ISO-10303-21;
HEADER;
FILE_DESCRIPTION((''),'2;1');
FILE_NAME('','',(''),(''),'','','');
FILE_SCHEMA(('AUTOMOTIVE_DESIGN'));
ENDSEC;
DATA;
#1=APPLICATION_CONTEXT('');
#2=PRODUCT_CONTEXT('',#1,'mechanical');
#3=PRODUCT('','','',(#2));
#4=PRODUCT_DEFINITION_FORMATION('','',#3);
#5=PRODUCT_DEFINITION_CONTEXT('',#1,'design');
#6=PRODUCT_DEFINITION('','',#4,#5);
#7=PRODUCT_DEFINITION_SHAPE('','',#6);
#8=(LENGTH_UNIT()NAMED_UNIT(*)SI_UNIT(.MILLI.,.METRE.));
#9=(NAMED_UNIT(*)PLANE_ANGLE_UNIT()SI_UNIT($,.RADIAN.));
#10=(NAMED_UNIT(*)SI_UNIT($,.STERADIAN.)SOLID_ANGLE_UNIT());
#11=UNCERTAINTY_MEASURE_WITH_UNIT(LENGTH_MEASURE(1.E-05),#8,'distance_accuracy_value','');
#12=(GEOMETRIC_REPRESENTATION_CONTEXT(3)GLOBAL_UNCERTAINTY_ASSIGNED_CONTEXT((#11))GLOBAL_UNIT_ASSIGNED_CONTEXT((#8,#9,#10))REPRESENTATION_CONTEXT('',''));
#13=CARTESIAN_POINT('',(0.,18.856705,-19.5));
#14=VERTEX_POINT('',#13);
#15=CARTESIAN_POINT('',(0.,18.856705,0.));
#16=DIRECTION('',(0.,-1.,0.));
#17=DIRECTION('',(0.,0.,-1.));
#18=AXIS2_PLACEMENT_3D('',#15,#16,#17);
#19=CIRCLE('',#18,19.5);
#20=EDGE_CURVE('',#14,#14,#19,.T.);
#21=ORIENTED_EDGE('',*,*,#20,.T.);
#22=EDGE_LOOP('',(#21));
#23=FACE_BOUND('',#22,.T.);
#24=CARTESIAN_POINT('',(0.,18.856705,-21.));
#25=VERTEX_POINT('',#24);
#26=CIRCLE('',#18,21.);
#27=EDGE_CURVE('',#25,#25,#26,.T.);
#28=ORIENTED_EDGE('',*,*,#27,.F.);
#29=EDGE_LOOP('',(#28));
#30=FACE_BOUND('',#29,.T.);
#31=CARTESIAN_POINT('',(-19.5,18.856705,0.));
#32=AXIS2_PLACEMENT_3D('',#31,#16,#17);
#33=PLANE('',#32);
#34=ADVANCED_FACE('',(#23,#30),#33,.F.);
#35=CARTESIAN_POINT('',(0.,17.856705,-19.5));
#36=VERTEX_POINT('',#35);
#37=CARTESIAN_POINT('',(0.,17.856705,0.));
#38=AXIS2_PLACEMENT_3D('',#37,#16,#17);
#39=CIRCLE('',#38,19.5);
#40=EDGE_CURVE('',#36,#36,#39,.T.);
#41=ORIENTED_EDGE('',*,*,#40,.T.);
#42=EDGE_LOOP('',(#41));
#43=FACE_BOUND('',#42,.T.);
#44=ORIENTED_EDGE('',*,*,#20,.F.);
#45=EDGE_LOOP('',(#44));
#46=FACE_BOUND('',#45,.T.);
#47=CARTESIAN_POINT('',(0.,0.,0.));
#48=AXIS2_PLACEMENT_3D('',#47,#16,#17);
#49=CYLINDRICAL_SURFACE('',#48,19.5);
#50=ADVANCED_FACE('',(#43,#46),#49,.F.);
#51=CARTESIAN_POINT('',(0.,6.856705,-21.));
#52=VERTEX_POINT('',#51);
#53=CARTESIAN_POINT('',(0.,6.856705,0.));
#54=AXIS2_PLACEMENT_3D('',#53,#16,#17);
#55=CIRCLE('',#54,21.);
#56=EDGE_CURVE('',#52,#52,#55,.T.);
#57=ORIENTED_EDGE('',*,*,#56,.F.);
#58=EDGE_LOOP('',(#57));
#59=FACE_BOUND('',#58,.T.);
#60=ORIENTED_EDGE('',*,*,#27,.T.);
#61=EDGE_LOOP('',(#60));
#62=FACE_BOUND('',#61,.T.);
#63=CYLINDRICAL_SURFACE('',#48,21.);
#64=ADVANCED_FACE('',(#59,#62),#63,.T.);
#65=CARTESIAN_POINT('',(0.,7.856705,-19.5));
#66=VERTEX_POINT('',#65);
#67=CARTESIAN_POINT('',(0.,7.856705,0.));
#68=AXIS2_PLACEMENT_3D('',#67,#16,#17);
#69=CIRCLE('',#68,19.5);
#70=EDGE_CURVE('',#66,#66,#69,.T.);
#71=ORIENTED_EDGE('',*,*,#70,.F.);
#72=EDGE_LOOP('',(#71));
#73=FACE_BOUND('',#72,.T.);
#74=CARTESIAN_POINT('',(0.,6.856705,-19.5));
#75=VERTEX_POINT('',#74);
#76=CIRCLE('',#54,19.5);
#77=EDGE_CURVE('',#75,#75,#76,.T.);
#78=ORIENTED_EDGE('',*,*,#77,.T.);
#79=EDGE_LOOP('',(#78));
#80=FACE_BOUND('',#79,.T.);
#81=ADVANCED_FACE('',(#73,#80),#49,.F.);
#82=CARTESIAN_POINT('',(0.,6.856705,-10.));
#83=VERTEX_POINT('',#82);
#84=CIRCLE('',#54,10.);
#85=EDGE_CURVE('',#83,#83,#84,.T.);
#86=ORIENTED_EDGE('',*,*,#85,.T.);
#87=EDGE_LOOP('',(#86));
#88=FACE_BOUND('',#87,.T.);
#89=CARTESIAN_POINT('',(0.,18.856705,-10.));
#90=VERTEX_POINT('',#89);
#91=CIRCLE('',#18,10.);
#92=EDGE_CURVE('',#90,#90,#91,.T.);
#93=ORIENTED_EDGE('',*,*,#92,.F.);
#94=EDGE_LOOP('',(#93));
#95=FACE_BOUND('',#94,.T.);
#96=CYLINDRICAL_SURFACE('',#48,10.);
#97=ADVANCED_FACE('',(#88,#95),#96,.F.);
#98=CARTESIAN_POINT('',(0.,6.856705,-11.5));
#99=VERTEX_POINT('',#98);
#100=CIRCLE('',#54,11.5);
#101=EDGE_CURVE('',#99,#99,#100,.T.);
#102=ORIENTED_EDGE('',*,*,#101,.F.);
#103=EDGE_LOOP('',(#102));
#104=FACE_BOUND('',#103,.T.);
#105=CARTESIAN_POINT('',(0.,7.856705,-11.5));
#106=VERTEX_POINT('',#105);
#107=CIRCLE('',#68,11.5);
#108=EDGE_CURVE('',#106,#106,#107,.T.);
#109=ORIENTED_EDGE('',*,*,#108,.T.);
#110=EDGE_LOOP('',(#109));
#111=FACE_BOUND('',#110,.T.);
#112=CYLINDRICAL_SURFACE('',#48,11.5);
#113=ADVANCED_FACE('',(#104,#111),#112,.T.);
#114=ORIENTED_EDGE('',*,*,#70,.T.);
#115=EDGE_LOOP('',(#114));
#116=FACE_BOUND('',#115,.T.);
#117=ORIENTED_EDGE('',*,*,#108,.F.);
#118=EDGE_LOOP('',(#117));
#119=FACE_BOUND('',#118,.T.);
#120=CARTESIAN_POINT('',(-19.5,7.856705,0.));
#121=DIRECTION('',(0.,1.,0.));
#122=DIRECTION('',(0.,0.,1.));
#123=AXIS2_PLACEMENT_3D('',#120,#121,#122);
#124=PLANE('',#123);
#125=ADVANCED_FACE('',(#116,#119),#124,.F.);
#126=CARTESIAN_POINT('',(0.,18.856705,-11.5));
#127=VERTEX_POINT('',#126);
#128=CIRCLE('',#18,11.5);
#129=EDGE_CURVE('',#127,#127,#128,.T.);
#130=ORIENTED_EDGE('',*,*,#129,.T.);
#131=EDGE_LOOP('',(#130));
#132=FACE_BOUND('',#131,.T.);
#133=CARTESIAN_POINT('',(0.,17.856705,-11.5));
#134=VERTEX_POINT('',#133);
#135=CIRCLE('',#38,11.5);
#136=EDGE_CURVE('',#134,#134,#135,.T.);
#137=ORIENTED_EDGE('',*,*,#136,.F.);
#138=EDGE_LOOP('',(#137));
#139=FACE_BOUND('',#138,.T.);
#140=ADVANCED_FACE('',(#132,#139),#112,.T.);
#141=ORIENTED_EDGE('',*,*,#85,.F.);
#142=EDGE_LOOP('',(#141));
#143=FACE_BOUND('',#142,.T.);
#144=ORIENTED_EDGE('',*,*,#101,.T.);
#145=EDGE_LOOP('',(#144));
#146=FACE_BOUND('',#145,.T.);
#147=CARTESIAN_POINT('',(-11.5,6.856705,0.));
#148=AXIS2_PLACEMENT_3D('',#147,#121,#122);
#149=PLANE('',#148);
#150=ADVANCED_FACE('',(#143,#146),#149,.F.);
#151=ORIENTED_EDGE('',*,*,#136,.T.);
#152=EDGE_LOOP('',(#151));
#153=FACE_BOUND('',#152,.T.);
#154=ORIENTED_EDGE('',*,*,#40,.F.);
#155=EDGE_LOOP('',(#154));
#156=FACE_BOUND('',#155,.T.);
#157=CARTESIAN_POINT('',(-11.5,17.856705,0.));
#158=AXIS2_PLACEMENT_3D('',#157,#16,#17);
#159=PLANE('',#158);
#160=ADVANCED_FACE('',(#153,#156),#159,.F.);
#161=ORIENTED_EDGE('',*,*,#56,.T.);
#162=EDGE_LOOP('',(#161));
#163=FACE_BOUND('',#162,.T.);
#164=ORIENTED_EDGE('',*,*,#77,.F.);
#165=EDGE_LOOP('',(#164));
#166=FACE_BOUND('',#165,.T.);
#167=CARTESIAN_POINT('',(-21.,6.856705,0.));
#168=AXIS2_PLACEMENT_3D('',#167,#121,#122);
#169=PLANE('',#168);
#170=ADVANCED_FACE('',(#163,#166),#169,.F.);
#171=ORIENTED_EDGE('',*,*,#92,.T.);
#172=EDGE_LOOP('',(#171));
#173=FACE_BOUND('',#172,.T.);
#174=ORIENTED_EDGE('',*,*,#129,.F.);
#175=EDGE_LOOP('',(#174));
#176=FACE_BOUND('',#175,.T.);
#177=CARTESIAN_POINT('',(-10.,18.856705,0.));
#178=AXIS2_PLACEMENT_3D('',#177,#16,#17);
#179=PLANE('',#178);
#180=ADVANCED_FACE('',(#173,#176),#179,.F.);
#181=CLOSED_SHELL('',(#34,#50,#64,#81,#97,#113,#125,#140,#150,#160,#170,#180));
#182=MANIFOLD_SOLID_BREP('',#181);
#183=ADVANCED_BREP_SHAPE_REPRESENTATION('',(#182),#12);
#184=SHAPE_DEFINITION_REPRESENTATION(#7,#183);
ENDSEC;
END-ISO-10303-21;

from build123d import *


with BuildPart() as part:
    # Croquis1 → Revolución1 (revolve)
    with BuildSketch(Plane.XY, mode=Mode.PRIVATE) as revoluci_n1_sk:
        Polygon((-10, 6.856705357), (-10, 18.856705357), (-11.5, 18.856705357), (-11.5, 17.856705357), (-19.5, 17.856705357), (-19.5, 18.856705357), (-21, 18.856705357), (-21, 6.856705357), (-19.5, 6.856705357), (-19.5, 7.856705357), (-11.5, 7.856705357), (-11.5, 6.856705357), align=None)
    revolve(revoluci_n1_sk.sketch.rotate(Axis((0, 0, 0), (0, 1, 0)), 270), axis=Axis((0, 0, 0), (0, 1, 0)))


solid = part.part
